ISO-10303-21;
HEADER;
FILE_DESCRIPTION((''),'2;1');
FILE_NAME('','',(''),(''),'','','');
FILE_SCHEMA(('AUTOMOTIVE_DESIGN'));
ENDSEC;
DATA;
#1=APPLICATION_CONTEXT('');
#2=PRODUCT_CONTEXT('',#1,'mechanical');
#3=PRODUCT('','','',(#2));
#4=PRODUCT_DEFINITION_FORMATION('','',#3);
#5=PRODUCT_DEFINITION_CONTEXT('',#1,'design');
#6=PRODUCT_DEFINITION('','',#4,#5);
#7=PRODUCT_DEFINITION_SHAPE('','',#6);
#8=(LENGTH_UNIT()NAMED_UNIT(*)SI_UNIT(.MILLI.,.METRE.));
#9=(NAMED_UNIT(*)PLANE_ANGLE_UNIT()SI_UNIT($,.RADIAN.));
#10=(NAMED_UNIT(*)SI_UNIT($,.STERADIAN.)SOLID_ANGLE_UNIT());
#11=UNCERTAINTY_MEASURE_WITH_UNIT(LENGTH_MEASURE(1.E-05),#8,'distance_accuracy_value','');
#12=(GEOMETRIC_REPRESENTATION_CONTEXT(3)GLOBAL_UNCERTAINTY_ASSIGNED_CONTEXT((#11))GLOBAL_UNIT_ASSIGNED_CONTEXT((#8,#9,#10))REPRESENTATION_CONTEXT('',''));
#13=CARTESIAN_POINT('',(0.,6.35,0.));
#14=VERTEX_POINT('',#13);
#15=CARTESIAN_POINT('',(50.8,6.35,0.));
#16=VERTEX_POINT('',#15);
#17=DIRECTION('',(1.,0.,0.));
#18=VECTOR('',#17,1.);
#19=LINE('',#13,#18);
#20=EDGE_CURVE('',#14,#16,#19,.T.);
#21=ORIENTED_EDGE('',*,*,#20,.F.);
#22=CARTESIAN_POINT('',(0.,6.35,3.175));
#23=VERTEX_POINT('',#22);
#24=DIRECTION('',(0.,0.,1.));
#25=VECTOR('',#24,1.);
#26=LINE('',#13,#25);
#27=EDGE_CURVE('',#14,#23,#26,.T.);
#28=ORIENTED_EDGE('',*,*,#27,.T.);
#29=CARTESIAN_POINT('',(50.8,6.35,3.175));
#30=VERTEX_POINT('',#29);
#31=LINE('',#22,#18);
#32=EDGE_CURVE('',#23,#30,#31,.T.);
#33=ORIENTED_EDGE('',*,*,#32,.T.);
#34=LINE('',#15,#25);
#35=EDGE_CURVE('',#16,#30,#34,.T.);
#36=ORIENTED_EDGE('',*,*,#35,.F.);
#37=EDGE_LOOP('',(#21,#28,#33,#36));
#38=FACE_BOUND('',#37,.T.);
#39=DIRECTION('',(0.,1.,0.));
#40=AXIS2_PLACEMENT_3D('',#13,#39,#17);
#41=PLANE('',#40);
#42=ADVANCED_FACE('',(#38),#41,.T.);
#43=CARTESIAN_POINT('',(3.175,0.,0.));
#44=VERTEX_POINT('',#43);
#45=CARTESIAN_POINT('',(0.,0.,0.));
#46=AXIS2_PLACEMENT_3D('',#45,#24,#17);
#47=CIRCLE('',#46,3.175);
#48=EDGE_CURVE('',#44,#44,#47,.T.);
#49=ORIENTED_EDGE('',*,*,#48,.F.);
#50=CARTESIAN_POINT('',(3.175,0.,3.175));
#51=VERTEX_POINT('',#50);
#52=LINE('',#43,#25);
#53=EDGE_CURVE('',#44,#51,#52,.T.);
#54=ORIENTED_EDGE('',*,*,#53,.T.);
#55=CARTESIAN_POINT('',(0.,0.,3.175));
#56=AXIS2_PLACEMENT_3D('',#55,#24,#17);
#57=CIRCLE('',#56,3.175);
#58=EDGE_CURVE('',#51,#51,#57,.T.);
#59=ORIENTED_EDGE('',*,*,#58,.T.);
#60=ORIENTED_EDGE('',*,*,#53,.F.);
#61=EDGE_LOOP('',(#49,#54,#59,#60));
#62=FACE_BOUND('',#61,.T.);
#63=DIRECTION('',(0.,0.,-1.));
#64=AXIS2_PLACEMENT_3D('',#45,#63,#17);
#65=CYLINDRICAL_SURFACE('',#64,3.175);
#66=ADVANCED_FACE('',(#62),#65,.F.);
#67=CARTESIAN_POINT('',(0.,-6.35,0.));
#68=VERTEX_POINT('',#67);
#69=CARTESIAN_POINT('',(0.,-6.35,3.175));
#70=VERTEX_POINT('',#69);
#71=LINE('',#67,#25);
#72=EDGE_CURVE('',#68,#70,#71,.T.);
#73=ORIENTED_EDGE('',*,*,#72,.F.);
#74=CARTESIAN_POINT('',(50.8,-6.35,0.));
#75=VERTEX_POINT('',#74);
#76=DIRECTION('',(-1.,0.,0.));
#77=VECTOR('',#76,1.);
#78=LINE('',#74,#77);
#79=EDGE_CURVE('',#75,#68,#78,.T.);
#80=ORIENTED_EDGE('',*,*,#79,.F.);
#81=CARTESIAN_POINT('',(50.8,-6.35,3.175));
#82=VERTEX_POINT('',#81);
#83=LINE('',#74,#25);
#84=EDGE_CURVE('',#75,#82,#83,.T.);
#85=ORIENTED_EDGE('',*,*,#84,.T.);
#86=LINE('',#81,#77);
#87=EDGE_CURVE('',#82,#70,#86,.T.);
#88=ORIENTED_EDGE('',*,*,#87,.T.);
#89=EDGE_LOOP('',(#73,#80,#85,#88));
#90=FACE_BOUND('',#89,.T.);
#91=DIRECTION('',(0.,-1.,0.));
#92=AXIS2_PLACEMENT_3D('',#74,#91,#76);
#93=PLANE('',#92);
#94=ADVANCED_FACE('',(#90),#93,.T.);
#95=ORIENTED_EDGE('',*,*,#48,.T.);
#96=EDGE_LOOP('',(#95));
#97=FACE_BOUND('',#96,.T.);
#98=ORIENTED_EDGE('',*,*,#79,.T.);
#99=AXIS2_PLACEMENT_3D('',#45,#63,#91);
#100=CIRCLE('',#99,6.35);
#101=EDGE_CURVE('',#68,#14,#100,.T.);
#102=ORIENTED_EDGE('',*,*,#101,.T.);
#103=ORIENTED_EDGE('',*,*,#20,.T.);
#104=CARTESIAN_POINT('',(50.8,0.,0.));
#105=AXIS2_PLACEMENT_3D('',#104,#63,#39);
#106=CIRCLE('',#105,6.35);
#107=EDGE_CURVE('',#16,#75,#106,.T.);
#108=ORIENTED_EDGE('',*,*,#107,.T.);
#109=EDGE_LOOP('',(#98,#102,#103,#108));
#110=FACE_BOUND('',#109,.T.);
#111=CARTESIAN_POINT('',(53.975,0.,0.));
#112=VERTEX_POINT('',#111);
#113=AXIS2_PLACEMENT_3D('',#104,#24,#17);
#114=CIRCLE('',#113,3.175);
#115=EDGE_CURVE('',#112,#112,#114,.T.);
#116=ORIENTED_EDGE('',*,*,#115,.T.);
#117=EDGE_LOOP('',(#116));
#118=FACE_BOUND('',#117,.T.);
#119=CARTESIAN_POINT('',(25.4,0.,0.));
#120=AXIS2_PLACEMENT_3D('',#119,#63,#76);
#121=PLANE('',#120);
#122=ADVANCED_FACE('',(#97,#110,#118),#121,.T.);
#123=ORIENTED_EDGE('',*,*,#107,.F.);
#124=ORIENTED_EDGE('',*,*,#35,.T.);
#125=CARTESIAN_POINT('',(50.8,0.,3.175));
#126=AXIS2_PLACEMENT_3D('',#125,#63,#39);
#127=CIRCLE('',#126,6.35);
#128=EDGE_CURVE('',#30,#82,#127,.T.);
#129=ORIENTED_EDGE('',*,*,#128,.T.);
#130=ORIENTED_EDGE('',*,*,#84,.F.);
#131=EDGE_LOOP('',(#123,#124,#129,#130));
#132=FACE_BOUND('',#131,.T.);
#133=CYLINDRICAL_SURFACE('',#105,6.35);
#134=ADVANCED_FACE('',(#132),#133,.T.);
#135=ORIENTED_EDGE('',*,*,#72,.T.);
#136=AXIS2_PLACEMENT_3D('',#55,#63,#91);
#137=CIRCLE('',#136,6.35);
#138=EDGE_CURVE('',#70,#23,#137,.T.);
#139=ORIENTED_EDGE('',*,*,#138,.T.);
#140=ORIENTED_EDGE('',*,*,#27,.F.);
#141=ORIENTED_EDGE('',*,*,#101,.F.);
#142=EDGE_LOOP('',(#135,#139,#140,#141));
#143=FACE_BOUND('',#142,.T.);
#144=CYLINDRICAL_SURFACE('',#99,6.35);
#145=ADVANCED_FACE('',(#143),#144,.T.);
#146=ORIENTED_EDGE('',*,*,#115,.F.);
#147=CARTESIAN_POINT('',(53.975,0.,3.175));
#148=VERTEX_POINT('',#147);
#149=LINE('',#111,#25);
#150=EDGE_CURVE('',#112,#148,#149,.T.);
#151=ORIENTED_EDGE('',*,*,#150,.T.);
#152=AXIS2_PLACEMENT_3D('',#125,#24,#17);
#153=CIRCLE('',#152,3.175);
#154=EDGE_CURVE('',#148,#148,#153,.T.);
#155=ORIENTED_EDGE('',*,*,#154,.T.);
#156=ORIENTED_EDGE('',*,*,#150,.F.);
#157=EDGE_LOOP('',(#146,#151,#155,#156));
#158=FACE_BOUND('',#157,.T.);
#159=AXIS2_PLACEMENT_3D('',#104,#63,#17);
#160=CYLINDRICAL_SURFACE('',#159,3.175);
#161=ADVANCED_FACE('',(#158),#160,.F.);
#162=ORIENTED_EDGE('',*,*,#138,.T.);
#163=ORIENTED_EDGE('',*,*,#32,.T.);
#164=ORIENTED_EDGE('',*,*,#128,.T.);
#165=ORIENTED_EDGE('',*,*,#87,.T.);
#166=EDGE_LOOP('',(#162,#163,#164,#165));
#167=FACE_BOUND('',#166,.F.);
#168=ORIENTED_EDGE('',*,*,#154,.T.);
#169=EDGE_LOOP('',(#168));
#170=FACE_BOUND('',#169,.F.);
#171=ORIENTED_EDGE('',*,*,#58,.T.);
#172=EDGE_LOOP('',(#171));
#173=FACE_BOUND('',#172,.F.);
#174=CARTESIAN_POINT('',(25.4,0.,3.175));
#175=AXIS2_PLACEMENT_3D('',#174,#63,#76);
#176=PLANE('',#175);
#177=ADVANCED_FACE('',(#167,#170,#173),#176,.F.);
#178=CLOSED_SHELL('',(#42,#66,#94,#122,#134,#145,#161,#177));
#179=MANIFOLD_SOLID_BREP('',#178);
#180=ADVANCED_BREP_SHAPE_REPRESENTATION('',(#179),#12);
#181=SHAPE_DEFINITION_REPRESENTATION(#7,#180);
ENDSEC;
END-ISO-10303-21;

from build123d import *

# Parameters (mm, degrees)
SKETCH1_R           = 3.175
BOSS_EXTRUDE1_DEPTH = 3.175


with BuildPart() as part:
    # Sketch1 → Boss-Extrude1 (new body)
    with BuildSketch(Plane.XY):
        with BuildLine():
            Line((0, 6.35), (50.8, 6.35))
            ThreePointArc((50.8, 6.35), (57.15, 0), (50.8, -6.35))
            Line((50.8, -6.35), (0, -6.35))
            ThreePointArc((0, -6.35), (-6.35, 0), (0, 6.35))
        make_face()
        Circle(SKETCH1_R, mode=Mode.SUBTRACT)
        with Locations((50.8, 0)):
            Circle(SKETCH1_R, mode=Mode.SUBTRACT)
    extrude(amount=BOSS_EXTRUDE1_DEPTH)


solid = part.part
